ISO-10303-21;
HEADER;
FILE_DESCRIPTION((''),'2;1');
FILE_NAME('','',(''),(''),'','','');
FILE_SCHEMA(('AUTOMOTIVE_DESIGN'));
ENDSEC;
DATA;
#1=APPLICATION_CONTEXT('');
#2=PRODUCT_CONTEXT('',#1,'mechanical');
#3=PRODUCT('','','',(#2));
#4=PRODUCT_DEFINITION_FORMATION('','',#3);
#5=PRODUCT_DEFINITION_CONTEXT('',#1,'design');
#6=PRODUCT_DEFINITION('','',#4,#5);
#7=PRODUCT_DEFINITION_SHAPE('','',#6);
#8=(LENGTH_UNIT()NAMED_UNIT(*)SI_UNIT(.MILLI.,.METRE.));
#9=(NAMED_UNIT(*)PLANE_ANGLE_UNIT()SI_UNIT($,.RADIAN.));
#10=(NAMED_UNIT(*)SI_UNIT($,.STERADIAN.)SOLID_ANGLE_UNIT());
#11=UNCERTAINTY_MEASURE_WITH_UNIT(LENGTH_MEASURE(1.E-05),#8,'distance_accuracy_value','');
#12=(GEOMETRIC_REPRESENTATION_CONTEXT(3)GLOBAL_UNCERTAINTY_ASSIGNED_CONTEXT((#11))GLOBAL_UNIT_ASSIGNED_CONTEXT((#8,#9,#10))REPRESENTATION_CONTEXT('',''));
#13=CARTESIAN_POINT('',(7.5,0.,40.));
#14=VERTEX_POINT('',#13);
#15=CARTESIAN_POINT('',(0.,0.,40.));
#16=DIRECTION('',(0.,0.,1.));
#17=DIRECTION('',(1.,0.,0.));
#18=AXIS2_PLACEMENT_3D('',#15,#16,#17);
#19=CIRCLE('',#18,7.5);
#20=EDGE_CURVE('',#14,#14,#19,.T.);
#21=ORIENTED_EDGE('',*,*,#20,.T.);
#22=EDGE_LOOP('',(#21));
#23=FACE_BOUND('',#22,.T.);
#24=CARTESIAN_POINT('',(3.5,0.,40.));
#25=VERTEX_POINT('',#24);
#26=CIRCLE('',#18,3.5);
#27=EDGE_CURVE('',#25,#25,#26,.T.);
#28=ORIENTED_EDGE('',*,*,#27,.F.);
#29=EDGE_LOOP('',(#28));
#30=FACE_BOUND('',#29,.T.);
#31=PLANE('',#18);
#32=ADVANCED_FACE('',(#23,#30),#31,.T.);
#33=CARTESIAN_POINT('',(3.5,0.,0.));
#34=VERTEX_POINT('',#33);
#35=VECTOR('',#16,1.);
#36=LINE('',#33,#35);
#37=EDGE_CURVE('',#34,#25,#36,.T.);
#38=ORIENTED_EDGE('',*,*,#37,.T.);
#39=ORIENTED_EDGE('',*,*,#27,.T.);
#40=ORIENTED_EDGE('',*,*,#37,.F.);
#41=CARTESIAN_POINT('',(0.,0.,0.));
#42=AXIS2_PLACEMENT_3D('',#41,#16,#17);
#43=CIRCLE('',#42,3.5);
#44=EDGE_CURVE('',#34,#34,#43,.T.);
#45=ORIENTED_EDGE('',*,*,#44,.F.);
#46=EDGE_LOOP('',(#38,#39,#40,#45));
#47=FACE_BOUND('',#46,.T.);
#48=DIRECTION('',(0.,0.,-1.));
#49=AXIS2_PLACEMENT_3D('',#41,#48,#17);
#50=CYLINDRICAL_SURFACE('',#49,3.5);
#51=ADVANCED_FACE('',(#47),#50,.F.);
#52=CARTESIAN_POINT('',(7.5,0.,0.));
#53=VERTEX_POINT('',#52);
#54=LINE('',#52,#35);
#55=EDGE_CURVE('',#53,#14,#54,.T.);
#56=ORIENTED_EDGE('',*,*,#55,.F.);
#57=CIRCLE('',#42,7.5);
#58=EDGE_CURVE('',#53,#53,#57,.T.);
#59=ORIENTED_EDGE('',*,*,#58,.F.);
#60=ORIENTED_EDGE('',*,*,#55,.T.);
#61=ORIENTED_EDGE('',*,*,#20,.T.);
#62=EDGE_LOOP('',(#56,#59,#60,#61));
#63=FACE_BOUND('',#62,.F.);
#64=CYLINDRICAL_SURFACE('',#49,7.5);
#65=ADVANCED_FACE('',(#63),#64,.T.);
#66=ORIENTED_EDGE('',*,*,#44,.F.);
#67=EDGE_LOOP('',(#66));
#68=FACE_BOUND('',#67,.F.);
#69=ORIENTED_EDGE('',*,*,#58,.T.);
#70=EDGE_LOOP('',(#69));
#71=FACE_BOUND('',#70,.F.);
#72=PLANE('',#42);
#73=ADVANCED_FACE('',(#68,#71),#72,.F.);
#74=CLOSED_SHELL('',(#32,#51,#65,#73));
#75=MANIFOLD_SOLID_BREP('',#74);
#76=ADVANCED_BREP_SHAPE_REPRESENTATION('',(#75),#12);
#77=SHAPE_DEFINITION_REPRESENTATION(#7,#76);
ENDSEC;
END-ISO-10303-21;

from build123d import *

# Parameters (mm, degrees)
SKETCH_R   = 7.5
SKETCH_R_2 = 3.5
PAD_DEPTH  = 40


with BuildPart() as part:
    # Sketch → Pad (new body)
    with BuildSketch(Plane.XY):
        Circle(SKETCH_R)
        Circle(SKETCH_R_2, mode=Mode.SUBTRACT)
    extrude(amount=PAD_DEPTH)


solid = part.part
